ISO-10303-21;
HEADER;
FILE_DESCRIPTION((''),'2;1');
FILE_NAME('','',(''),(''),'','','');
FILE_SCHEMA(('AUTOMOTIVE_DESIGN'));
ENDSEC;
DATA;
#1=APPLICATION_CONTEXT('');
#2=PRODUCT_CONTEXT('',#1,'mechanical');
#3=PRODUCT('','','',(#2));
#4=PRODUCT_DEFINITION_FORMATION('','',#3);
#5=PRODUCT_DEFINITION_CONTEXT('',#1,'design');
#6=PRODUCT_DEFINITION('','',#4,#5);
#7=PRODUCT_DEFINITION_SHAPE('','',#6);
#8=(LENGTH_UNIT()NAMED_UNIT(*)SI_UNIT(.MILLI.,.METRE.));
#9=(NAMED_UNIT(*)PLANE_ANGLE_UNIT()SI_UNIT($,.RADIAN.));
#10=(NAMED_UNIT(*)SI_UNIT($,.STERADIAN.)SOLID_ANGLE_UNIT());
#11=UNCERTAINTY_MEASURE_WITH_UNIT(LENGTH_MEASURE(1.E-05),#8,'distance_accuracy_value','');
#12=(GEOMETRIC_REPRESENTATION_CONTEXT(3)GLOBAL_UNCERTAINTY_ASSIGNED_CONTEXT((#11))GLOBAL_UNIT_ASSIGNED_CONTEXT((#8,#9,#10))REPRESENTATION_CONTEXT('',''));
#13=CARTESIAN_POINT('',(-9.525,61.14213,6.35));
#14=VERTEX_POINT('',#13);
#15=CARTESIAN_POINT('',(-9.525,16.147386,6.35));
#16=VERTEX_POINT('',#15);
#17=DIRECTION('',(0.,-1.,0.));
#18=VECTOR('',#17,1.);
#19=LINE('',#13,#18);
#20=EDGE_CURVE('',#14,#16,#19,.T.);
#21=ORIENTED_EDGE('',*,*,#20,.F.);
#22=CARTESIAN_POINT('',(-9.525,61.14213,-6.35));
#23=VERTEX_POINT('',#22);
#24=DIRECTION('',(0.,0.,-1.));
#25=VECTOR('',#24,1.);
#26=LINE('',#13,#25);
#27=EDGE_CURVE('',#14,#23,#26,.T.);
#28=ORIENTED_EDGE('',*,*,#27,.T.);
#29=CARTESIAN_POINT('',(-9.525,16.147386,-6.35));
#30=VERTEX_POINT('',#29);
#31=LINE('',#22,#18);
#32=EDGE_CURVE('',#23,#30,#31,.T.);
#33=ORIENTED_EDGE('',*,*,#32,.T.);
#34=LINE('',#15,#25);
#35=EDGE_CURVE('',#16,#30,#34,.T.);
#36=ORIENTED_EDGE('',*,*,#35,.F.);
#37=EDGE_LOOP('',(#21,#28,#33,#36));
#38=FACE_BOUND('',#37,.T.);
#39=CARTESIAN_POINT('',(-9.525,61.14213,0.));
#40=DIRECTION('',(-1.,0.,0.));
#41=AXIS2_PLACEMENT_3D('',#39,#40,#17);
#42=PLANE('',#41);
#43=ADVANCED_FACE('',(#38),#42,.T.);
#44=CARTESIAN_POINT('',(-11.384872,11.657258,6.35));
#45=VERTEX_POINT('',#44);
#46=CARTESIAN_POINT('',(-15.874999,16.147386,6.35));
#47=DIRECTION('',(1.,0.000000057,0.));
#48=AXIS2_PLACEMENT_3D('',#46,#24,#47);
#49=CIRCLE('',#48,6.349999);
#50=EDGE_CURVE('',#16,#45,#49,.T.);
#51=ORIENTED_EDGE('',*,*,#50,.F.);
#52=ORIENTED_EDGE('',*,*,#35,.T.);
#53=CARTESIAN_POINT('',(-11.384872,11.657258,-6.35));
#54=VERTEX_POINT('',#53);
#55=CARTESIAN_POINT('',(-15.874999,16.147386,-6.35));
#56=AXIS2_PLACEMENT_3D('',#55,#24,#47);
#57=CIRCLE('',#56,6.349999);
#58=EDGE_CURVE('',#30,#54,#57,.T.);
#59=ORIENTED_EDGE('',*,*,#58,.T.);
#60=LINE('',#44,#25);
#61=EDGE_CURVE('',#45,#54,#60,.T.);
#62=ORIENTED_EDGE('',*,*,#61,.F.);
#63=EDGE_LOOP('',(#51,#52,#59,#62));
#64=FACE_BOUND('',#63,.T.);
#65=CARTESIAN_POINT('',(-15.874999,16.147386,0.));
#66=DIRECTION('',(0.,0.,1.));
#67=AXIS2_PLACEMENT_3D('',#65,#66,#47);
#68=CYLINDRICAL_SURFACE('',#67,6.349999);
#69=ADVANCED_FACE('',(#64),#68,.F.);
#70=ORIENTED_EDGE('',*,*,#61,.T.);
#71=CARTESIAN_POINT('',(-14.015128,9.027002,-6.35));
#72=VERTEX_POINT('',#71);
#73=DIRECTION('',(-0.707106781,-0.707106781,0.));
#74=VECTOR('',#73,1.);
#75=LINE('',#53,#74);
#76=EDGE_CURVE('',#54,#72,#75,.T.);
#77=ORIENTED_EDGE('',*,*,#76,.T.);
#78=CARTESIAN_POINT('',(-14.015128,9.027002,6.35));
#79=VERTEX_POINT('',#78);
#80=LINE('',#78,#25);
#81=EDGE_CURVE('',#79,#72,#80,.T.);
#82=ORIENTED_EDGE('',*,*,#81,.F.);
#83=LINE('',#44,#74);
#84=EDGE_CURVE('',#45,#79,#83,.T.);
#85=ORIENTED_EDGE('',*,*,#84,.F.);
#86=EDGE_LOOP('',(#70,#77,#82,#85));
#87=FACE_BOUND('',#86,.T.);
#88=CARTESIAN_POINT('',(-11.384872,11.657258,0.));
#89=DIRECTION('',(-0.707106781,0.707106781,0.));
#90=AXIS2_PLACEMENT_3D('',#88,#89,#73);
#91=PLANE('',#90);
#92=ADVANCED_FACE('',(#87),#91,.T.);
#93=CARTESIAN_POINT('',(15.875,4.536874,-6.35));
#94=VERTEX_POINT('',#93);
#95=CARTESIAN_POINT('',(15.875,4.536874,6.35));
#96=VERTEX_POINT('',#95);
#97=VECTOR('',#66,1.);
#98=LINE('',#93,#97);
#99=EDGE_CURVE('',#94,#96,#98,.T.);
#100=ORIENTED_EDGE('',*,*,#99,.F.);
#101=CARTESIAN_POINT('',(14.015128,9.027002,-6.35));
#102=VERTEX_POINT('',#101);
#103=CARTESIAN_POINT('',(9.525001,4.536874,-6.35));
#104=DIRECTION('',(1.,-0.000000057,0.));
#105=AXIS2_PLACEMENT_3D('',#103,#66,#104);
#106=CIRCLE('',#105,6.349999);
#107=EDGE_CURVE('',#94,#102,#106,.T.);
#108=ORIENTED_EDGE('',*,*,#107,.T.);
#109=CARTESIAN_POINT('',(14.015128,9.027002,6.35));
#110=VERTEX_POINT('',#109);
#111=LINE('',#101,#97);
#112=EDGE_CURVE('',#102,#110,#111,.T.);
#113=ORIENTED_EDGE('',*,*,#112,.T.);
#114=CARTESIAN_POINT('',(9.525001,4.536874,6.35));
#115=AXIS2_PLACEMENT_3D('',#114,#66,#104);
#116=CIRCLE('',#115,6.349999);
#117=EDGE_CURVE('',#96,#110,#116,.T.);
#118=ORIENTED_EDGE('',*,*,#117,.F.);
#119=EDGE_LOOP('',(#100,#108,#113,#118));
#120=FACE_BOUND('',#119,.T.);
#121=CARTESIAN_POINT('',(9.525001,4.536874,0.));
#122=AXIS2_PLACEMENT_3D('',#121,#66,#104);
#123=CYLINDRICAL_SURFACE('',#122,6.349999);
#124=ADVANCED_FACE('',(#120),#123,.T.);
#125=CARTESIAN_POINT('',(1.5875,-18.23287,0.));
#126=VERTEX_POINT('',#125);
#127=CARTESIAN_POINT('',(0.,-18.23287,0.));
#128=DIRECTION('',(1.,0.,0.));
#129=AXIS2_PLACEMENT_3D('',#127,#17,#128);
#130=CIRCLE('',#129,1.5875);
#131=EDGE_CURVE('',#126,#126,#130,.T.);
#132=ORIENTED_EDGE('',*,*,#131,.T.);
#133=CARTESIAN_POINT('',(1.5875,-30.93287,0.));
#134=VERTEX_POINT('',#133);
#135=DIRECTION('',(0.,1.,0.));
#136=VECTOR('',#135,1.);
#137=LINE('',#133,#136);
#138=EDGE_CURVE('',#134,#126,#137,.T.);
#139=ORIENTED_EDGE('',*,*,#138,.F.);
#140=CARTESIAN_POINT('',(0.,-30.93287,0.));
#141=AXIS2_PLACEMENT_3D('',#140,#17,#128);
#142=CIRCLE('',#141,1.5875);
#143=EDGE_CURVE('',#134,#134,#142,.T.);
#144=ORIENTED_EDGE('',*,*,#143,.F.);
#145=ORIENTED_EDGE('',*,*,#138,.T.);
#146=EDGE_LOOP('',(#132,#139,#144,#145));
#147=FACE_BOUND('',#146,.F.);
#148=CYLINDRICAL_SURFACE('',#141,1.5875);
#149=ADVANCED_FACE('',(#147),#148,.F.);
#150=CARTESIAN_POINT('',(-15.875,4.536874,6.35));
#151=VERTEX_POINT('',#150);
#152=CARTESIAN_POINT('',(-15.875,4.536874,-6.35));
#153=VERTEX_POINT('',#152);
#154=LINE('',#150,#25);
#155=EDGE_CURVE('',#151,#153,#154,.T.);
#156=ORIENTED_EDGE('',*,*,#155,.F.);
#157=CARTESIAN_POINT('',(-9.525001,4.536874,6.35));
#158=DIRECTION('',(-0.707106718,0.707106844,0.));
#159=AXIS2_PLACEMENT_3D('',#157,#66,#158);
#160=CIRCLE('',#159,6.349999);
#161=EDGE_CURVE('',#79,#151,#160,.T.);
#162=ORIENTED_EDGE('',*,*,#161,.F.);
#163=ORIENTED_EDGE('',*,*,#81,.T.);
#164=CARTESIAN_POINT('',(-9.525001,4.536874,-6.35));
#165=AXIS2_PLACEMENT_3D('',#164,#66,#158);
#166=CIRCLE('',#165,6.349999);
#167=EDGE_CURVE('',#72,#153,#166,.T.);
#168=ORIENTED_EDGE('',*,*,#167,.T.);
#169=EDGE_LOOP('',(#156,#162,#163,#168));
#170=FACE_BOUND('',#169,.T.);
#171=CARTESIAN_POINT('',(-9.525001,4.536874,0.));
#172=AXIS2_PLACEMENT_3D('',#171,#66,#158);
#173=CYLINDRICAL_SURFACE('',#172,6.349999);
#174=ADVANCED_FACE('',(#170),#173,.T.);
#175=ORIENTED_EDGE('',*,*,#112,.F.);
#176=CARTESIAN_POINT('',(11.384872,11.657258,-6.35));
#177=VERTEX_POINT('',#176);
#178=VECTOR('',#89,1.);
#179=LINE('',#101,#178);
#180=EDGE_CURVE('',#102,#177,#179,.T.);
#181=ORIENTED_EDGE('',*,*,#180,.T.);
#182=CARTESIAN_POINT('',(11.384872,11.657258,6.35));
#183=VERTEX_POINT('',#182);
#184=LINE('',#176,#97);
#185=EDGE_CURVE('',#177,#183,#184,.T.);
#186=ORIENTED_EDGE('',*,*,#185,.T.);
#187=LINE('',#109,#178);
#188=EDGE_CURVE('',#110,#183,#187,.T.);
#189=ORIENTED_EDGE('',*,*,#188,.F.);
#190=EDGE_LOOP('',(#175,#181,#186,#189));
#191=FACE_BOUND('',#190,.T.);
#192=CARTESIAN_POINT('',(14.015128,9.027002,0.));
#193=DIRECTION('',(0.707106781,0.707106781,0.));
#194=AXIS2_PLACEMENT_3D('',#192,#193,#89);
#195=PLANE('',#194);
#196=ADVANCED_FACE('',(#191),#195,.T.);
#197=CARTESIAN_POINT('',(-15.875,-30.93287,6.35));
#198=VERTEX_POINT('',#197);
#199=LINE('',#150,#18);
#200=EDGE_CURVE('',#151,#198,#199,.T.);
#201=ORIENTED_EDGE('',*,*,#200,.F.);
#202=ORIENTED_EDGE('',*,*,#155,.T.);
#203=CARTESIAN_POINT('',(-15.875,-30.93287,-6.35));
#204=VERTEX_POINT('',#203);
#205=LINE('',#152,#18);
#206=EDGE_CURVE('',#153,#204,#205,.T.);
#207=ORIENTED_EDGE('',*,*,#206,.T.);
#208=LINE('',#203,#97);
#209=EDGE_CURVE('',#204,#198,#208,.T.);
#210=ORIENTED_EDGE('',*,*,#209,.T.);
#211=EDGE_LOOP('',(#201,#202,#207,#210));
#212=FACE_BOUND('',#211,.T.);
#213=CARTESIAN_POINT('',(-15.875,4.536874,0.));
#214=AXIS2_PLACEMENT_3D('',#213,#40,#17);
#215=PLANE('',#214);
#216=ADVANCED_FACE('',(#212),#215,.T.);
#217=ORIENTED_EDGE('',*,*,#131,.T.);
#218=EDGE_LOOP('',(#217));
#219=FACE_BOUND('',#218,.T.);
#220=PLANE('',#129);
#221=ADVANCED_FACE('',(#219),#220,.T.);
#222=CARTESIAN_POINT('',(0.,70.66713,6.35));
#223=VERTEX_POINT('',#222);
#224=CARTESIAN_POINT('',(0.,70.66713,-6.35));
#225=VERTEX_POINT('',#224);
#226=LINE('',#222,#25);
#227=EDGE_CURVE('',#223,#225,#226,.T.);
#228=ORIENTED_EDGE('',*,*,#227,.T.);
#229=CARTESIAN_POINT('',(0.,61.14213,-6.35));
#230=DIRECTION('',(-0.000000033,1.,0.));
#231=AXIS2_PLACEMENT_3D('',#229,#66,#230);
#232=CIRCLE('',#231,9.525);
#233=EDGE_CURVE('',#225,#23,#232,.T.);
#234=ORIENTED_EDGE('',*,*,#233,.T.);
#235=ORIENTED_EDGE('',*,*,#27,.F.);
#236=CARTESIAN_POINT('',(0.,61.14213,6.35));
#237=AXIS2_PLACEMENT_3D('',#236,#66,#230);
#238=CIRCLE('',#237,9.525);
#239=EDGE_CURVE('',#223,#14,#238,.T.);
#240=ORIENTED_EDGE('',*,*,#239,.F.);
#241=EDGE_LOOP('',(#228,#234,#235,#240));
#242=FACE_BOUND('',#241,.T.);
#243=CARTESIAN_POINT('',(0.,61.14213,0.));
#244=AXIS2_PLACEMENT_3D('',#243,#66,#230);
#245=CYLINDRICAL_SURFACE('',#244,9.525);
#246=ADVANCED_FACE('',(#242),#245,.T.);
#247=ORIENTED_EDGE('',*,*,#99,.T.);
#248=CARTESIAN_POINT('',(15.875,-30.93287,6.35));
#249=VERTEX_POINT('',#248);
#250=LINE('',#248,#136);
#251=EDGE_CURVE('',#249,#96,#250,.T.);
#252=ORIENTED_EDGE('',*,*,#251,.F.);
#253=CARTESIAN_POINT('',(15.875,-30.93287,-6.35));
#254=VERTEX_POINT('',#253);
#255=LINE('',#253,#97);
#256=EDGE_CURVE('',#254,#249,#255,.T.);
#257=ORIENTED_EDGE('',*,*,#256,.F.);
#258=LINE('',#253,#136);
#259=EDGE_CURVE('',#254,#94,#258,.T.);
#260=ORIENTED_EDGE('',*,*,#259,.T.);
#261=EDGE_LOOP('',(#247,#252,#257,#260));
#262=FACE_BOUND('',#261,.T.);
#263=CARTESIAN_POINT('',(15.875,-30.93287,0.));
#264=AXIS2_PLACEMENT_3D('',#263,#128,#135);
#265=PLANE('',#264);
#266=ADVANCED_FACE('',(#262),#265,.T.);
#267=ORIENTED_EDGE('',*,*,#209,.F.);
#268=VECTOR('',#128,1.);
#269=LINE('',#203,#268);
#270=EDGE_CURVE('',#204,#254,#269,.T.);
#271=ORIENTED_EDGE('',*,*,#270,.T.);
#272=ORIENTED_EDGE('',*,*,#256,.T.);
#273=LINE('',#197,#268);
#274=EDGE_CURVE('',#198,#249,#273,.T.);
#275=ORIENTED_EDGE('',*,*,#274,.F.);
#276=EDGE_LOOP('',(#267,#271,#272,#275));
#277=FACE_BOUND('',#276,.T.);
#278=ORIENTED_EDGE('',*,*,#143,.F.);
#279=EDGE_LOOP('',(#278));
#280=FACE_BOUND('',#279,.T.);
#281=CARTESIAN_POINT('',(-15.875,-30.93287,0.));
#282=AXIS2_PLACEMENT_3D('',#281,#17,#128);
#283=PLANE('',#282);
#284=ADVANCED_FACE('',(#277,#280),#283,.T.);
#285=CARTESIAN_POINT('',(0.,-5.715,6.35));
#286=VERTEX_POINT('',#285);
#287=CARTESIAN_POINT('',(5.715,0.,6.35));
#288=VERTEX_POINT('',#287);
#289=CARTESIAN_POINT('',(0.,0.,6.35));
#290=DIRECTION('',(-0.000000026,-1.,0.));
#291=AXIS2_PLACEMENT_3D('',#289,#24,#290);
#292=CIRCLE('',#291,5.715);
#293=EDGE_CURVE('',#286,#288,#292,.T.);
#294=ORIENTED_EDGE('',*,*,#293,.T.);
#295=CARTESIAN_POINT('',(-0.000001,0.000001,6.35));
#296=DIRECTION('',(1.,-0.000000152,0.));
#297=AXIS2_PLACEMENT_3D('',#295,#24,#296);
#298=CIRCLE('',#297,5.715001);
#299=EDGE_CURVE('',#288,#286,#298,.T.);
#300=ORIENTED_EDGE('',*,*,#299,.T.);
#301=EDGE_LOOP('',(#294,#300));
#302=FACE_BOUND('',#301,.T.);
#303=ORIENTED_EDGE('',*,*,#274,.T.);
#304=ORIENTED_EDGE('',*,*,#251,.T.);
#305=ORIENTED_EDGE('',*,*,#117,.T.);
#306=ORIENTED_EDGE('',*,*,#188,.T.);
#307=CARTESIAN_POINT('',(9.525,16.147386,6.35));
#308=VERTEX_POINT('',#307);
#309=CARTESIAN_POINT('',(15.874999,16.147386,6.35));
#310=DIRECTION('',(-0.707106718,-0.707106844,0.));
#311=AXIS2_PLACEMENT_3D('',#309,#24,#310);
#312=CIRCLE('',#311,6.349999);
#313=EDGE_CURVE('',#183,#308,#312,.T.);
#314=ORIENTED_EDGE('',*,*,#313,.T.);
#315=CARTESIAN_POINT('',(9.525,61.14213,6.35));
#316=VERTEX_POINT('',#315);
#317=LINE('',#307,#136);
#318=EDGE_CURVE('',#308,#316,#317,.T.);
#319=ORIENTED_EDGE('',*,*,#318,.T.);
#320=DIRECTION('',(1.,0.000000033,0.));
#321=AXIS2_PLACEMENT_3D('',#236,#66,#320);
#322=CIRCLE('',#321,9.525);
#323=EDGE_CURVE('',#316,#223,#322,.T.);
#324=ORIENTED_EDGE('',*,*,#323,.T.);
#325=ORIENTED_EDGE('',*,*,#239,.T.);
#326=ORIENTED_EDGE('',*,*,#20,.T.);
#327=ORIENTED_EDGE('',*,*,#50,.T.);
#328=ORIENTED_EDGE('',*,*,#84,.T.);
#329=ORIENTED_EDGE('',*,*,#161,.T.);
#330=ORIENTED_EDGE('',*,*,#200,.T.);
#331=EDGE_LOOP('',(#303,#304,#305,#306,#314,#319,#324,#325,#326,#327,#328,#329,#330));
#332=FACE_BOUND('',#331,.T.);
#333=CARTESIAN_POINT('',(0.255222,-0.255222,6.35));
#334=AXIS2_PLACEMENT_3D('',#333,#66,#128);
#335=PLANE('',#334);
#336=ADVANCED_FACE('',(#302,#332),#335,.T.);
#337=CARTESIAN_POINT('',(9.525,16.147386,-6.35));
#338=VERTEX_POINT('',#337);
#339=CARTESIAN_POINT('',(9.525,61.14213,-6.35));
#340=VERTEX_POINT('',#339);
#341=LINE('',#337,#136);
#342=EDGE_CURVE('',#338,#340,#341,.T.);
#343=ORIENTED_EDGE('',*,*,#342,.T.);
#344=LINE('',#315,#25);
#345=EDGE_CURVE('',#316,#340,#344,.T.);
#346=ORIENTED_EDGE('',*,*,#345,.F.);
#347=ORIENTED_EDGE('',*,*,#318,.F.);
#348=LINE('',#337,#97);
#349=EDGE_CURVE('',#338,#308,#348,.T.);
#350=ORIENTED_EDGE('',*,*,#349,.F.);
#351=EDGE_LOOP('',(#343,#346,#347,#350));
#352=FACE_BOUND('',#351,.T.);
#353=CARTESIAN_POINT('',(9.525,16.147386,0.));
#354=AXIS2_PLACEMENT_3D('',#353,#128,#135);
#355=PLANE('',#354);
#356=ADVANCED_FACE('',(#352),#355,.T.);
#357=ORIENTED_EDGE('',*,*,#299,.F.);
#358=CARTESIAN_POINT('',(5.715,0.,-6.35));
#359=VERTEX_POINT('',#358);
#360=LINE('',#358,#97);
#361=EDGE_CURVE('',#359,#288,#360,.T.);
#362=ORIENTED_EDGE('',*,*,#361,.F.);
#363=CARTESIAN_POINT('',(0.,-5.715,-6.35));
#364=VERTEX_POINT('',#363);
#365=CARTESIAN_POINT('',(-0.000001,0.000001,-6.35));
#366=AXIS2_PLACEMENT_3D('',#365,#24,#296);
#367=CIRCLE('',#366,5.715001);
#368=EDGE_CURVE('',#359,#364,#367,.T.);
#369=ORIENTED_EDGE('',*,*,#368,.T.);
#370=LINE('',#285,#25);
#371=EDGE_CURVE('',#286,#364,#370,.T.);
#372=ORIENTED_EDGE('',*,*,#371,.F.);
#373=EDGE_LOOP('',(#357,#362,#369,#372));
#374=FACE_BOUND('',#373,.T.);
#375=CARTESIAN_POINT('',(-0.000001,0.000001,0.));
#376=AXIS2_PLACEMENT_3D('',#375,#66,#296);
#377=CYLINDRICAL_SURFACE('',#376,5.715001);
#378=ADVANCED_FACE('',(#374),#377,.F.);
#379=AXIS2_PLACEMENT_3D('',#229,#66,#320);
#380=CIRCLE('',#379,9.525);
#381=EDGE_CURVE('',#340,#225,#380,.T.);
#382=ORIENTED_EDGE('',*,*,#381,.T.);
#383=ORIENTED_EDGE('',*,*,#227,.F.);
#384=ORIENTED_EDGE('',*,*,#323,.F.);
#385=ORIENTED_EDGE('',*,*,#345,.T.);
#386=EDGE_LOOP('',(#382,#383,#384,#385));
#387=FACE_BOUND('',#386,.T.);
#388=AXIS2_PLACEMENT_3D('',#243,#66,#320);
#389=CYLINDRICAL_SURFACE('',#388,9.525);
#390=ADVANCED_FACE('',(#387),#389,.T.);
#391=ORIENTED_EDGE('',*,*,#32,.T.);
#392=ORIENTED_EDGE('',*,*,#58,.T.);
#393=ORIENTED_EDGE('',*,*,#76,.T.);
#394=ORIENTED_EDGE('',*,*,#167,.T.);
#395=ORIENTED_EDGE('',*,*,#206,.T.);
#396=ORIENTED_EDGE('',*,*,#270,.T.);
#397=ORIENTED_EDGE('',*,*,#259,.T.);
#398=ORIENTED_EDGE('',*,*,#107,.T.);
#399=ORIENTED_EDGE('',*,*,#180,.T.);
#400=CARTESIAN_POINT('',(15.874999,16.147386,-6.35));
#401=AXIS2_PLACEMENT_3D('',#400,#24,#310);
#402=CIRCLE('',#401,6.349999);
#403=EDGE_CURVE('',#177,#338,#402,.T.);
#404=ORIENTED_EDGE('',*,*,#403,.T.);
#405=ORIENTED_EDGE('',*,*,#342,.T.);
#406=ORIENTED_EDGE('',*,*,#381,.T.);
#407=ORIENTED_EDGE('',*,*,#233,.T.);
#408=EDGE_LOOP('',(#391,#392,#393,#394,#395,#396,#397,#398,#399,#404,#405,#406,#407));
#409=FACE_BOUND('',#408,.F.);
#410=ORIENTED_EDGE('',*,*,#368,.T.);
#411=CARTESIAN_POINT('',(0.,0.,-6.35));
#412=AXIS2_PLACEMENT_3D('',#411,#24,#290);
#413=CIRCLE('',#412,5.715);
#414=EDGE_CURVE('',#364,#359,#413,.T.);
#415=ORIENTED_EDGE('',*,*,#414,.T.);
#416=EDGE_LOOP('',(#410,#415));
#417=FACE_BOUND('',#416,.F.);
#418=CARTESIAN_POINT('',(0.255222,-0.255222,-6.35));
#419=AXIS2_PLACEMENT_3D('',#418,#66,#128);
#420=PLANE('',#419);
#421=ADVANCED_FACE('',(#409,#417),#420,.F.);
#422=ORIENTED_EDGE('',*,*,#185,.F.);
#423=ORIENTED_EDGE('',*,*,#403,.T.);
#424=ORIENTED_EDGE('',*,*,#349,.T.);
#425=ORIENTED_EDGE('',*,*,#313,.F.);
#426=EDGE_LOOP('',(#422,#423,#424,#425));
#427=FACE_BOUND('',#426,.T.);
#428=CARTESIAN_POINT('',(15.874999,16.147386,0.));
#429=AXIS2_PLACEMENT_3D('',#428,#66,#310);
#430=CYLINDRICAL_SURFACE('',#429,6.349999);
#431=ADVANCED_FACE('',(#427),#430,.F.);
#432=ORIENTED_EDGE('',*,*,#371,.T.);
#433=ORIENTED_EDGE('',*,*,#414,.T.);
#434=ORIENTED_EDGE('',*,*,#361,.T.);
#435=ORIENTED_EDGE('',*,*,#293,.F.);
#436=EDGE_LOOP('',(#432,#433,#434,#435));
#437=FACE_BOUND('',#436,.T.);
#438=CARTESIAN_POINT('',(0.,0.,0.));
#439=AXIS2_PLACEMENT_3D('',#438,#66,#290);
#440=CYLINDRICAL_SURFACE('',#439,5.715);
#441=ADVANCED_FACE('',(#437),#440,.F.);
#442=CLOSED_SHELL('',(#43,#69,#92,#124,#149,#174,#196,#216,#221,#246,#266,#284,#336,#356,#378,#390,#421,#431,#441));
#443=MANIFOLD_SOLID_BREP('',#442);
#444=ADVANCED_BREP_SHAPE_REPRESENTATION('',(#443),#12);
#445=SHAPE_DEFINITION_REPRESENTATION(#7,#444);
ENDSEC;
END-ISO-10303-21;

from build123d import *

# Parameters (mm, degrees)
F1_DEPTH = 6.35
F2_R     = 1.5875
F3_DEPTH = 12.7


with BuildPart() as f1:
    # F0 (on Top) → F1 (new body, symmetric)
    with BuildSketch(Plane.XY):
        with BuildLine():
            ThreePointArc((5.715, 0), (-4.041115, 4.041115), (0, -5.715))
            ThreePointArc((0, -5.715), (4.041115, -4.041115), (5.715, 0))
        make_face()
        with BuildLine():
            Line((-15.875, 4.536874), (-15.875, -30.93287))
            Line((-15.875, -30.93287), (0, -30.93287))
            Line((0, -30.93287), (15.875, -30.93287))
            Line((15.875, -30.93287), (15.875, 4.536874))
            ThreePointArc((15.875, 4.536874), (15.391635, 6.966914), (14.015128, 9.027002))
            Line((14.015128, 9.027002), (11.384872, 11.657258))
            ThreePointArc((11.384872, 11.657258), (10.008365, 13.717346), (9.525, 16.147386))
            Line((9.525, 16.147386), (9.525, 61.14213))
            ThreePointArc((9.525, 61.14213), (6.735192, 67.877322), (0, 70.66713))
            ThreePointArc((0, 70.66713), (-6.735192, 67.877322), (-9.525, 61.14213))
            Line((-9.525, 61.14213), (-9.525, 16.147386))
            ThreePointArc((-9.525, 16.147386), (-10.008365, 13.717346), (-11.384872, 11.657258))
            Line((-11.384872, 11.657258), (-14.015128, 9.027002))
            ThreePointArc((-14.015128, 9.027002), (-15.391635, 6.966914), (-15.875, 4.536874))
        make_face()
        with BuildLine():
            ThreePointArc((5.715, 0), (4.041115, -4.041115), (0, -5.715))
            ThreePointArc((0, -5.715), (-4.041115, 4.041115), (5.715, 0))
        make_face(mode=Mode.SUBTRACT)
    extrude(amount=F1_DEPTH, both=True)

    # F2 (on face) → F3 (cut)
    with BuildSketch(Plane.XZ.offset(30.93287)):
        Circle(F2_R)
    extrude(amount=-F3_DEPTH, mode=Mode.SUBTRACT)


solid = f1.part
